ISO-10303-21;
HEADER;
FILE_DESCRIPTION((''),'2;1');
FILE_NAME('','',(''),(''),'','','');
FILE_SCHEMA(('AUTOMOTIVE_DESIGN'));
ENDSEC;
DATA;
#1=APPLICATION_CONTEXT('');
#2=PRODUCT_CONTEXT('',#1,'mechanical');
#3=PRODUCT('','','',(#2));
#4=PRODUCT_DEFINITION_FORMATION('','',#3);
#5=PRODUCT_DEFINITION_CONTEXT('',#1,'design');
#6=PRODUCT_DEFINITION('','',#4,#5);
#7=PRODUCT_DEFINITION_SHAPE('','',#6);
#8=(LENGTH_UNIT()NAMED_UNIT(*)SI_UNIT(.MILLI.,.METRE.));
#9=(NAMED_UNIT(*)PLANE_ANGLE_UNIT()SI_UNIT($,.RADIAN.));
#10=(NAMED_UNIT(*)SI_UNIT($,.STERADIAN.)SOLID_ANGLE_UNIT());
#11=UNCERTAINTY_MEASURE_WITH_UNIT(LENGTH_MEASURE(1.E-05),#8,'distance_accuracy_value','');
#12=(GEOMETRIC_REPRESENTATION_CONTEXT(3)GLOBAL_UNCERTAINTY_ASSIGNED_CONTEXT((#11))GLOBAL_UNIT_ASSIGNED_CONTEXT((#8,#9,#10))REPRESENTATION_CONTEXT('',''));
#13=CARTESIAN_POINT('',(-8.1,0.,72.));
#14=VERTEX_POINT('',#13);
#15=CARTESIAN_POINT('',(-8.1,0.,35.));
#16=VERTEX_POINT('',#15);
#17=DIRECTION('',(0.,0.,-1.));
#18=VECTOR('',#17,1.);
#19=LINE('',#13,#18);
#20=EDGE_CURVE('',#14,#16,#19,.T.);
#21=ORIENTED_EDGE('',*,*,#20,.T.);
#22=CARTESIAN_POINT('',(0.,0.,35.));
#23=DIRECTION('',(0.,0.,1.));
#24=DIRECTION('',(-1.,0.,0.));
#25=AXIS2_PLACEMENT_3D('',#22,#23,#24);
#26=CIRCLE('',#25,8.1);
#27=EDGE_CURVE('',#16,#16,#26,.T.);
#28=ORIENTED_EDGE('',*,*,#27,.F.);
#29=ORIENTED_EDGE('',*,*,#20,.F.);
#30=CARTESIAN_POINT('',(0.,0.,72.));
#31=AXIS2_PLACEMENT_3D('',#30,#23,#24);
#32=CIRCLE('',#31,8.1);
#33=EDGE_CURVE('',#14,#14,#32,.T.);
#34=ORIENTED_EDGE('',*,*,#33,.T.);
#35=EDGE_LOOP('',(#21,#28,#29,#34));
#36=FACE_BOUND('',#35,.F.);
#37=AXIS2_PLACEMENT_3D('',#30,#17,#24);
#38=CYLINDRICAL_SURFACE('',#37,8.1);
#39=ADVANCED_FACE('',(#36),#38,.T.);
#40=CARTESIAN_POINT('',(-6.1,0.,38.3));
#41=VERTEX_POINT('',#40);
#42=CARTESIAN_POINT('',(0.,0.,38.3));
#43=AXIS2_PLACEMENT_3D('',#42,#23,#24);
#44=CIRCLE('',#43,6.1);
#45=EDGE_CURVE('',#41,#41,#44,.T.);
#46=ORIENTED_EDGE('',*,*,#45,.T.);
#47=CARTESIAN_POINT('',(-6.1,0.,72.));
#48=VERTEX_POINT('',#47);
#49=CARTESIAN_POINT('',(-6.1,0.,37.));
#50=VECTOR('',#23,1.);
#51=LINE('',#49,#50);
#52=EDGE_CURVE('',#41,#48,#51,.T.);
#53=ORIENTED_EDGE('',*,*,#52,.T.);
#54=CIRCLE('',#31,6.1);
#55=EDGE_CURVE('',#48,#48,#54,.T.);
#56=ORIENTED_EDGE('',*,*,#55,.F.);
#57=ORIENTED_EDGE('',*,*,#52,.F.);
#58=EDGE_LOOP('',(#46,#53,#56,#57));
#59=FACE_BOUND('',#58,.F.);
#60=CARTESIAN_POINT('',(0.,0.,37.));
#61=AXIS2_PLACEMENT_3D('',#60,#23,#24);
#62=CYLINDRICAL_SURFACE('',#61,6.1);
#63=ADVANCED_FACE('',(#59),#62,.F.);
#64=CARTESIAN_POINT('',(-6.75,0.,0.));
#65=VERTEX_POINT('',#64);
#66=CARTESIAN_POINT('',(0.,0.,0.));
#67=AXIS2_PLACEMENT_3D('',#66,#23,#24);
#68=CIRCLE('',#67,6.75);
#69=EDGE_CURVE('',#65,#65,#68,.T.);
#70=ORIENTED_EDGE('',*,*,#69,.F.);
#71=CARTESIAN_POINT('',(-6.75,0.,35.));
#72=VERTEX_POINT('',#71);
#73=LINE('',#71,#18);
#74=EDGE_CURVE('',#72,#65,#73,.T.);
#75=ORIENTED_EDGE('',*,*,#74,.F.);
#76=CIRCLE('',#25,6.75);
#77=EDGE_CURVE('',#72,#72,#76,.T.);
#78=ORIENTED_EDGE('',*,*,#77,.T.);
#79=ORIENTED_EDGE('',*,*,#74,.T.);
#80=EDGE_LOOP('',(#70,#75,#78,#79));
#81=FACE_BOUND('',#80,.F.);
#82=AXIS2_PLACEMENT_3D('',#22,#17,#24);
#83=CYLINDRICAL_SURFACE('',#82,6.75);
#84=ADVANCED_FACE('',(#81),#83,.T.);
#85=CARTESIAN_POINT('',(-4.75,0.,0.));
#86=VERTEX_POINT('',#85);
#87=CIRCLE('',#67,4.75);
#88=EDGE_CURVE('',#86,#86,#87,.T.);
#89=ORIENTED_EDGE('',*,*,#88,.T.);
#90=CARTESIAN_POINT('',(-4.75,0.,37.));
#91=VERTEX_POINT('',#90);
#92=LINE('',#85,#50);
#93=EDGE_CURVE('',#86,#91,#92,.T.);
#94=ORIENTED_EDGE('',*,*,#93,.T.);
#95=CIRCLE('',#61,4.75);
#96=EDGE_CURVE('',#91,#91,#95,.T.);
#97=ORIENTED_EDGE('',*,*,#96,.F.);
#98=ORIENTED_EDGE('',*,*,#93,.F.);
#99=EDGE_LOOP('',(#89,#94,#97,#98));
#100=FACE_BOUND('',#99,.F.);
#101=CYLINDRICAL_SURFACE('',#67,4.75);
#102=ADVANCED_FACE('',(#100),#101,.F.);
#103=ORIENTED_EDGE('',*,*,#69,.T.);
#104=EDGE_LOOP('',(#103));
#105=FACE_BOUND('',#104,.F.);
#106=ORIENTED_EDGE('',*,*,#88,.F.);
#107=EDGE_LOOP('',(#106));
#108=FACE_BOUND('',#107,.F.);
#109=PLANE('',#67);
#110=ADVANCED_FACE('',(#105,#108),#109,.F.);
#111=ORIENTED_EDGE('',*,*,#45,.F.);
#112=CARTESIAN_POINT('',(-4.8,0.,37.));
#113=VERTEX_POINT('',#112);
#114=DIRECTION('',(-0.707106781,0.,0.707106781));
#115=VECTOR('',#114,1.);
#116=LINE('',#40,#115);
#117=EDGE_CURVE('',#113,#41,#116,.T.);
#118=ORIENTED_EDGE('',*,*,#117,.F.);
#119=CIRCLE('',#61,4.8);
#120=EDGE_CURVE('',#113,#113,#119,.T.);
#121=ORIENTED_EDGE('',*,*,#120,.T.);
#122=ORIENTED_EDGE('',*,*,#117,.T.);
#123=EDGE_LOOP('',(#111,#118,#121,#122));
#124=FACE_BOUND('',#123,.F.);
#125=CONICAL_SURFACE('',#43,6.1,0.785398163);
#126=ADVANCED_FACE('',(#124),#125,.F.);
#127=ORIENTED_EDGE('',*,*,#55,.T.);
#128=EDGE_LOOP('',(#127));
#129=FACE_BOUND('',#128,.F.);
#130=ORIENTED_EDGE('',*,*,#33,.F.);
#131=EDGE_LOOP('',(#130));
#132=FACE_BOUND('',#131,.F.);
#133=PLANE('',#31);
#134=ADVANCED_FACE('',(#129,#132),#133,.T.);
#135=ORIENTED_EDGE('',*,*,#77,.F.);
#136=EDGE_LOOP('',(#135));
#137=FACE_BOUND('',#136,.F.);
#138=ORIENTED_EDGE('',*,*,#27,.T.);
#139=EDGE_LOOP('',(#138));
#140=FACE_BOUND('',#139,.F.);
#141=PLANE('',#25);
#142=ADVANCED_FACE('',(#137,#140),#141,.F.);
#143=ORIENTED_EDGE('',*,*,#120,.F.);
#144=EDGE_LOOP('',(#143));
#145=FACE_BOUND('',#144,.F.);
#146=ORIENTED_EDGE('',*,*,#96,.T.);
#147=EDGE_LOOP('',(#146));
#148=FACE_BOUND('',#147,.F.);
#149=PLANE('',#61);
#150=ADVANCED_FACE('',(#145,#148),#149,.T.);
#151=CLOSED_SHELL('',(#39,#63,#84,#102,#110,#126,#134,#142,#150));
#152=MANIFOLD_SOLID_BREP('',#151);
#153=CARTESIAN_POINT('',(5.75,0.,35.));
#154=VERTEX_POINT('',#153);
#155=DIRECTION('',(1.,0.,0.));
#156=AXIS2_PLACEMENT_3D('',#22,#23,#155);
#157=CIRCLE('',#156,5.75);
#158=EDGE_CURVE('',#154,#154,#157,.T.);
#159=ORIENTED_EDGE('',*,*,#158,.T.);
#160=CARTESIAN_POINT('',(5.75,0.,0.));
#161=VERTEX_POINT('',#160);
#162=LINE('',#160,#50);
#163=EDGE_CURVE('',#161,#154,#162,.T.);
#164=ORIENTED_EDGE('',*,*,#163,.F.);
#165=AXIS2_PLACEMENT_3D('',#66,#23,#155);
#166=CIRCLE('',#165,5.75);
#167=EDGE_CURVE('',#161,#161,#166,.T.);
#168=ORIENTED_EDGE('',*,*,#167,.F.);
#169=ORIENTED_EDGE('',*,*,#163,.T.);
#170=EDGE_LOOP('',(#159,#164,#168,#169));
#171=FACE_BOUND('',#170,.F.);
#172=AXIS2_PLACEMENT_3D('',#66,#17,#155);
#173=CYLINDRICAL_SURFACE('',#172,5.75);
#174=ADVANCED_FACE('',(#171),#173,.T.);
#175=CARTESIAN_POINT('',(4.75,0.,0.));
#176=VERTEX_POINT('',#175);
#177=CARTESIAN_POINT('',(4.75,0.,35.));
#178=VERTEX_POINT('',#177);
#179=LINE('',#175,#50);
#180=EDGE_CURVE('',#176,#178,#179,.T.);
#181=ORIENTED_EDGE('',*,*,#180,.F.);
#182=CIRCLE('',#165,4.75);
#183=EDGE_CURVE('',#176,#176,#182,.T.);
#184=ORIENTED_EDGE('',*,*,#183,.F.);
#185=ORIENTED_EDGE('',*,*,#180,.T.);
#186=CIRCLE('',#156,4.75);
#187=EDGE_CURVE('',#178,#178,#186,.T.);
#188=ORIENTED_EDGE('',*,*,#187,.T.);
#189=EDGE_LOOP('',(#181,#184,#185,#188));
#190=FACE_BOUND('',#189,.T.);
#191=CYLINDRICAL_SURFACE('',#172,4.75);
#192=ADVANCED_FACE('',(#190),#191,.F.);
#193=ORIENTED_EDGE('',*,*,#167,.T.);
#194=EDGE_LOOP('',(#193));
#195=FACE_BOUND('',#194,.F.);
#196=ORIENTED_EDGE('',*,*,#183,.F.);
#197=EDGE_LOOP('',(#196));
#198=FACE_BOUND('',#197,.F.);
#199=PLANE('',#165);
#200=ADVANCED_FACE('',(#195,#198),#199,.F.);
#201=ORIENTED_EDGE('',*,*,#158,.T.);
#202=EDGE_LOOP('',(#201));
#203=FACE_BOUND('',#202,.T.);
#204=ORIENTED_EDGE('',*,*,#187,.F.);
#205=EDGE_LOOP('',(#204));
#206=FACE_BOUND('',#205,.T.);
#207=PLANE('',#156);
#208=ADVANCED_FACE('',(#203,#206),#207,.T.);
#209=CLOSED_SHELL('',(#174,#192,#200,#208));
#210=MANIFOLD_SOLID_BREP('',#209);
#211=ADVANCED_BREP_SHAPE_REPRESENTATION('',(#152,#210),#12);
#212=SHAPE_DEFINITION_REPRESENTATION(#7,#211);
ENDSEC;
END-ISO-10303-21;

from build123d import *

# Parameters (mm, degrees)
SKETCH_R     = 5.75
SKETCH_R_2   = 4.75
PAD_DEPTH    = 35
CHAMFER_SIZE = 1.3


with BuildPart() as body:
    # Sketch → Pad (new body)
    with BuildSketch(Plane.XY):
        Circle(SKETCH_R)
        Circle(SKETCH_R_2, mode=Mode.SUBTRACT)
    extrude(amount=PAD_DEPTH)


with BuildPart() as body001:
    # Sketch003 → Revolution (revolve)
    with BuildSketch(Plane.XZ):
        Polygon((-6.75, 35), (-6.75, 0), (-4.75, 0), (-4.75, 37), (-6.1, 37), (-6.1, 72), (-8.1, 72), (-8.1, 35), align=None)
    revolve(axis=Axis((0, 0, 0), (0, 0, 1)))

    # Chamfer
    chamfer_edges = [body001.edges().sort_by_distance(p)[0] for p in [
        (6.1, 0, 37),
    ]]
    chamfer(chamfer_edges, length=CHAMFER_SIZE)


solid = Compound([body.part, body001.part])
